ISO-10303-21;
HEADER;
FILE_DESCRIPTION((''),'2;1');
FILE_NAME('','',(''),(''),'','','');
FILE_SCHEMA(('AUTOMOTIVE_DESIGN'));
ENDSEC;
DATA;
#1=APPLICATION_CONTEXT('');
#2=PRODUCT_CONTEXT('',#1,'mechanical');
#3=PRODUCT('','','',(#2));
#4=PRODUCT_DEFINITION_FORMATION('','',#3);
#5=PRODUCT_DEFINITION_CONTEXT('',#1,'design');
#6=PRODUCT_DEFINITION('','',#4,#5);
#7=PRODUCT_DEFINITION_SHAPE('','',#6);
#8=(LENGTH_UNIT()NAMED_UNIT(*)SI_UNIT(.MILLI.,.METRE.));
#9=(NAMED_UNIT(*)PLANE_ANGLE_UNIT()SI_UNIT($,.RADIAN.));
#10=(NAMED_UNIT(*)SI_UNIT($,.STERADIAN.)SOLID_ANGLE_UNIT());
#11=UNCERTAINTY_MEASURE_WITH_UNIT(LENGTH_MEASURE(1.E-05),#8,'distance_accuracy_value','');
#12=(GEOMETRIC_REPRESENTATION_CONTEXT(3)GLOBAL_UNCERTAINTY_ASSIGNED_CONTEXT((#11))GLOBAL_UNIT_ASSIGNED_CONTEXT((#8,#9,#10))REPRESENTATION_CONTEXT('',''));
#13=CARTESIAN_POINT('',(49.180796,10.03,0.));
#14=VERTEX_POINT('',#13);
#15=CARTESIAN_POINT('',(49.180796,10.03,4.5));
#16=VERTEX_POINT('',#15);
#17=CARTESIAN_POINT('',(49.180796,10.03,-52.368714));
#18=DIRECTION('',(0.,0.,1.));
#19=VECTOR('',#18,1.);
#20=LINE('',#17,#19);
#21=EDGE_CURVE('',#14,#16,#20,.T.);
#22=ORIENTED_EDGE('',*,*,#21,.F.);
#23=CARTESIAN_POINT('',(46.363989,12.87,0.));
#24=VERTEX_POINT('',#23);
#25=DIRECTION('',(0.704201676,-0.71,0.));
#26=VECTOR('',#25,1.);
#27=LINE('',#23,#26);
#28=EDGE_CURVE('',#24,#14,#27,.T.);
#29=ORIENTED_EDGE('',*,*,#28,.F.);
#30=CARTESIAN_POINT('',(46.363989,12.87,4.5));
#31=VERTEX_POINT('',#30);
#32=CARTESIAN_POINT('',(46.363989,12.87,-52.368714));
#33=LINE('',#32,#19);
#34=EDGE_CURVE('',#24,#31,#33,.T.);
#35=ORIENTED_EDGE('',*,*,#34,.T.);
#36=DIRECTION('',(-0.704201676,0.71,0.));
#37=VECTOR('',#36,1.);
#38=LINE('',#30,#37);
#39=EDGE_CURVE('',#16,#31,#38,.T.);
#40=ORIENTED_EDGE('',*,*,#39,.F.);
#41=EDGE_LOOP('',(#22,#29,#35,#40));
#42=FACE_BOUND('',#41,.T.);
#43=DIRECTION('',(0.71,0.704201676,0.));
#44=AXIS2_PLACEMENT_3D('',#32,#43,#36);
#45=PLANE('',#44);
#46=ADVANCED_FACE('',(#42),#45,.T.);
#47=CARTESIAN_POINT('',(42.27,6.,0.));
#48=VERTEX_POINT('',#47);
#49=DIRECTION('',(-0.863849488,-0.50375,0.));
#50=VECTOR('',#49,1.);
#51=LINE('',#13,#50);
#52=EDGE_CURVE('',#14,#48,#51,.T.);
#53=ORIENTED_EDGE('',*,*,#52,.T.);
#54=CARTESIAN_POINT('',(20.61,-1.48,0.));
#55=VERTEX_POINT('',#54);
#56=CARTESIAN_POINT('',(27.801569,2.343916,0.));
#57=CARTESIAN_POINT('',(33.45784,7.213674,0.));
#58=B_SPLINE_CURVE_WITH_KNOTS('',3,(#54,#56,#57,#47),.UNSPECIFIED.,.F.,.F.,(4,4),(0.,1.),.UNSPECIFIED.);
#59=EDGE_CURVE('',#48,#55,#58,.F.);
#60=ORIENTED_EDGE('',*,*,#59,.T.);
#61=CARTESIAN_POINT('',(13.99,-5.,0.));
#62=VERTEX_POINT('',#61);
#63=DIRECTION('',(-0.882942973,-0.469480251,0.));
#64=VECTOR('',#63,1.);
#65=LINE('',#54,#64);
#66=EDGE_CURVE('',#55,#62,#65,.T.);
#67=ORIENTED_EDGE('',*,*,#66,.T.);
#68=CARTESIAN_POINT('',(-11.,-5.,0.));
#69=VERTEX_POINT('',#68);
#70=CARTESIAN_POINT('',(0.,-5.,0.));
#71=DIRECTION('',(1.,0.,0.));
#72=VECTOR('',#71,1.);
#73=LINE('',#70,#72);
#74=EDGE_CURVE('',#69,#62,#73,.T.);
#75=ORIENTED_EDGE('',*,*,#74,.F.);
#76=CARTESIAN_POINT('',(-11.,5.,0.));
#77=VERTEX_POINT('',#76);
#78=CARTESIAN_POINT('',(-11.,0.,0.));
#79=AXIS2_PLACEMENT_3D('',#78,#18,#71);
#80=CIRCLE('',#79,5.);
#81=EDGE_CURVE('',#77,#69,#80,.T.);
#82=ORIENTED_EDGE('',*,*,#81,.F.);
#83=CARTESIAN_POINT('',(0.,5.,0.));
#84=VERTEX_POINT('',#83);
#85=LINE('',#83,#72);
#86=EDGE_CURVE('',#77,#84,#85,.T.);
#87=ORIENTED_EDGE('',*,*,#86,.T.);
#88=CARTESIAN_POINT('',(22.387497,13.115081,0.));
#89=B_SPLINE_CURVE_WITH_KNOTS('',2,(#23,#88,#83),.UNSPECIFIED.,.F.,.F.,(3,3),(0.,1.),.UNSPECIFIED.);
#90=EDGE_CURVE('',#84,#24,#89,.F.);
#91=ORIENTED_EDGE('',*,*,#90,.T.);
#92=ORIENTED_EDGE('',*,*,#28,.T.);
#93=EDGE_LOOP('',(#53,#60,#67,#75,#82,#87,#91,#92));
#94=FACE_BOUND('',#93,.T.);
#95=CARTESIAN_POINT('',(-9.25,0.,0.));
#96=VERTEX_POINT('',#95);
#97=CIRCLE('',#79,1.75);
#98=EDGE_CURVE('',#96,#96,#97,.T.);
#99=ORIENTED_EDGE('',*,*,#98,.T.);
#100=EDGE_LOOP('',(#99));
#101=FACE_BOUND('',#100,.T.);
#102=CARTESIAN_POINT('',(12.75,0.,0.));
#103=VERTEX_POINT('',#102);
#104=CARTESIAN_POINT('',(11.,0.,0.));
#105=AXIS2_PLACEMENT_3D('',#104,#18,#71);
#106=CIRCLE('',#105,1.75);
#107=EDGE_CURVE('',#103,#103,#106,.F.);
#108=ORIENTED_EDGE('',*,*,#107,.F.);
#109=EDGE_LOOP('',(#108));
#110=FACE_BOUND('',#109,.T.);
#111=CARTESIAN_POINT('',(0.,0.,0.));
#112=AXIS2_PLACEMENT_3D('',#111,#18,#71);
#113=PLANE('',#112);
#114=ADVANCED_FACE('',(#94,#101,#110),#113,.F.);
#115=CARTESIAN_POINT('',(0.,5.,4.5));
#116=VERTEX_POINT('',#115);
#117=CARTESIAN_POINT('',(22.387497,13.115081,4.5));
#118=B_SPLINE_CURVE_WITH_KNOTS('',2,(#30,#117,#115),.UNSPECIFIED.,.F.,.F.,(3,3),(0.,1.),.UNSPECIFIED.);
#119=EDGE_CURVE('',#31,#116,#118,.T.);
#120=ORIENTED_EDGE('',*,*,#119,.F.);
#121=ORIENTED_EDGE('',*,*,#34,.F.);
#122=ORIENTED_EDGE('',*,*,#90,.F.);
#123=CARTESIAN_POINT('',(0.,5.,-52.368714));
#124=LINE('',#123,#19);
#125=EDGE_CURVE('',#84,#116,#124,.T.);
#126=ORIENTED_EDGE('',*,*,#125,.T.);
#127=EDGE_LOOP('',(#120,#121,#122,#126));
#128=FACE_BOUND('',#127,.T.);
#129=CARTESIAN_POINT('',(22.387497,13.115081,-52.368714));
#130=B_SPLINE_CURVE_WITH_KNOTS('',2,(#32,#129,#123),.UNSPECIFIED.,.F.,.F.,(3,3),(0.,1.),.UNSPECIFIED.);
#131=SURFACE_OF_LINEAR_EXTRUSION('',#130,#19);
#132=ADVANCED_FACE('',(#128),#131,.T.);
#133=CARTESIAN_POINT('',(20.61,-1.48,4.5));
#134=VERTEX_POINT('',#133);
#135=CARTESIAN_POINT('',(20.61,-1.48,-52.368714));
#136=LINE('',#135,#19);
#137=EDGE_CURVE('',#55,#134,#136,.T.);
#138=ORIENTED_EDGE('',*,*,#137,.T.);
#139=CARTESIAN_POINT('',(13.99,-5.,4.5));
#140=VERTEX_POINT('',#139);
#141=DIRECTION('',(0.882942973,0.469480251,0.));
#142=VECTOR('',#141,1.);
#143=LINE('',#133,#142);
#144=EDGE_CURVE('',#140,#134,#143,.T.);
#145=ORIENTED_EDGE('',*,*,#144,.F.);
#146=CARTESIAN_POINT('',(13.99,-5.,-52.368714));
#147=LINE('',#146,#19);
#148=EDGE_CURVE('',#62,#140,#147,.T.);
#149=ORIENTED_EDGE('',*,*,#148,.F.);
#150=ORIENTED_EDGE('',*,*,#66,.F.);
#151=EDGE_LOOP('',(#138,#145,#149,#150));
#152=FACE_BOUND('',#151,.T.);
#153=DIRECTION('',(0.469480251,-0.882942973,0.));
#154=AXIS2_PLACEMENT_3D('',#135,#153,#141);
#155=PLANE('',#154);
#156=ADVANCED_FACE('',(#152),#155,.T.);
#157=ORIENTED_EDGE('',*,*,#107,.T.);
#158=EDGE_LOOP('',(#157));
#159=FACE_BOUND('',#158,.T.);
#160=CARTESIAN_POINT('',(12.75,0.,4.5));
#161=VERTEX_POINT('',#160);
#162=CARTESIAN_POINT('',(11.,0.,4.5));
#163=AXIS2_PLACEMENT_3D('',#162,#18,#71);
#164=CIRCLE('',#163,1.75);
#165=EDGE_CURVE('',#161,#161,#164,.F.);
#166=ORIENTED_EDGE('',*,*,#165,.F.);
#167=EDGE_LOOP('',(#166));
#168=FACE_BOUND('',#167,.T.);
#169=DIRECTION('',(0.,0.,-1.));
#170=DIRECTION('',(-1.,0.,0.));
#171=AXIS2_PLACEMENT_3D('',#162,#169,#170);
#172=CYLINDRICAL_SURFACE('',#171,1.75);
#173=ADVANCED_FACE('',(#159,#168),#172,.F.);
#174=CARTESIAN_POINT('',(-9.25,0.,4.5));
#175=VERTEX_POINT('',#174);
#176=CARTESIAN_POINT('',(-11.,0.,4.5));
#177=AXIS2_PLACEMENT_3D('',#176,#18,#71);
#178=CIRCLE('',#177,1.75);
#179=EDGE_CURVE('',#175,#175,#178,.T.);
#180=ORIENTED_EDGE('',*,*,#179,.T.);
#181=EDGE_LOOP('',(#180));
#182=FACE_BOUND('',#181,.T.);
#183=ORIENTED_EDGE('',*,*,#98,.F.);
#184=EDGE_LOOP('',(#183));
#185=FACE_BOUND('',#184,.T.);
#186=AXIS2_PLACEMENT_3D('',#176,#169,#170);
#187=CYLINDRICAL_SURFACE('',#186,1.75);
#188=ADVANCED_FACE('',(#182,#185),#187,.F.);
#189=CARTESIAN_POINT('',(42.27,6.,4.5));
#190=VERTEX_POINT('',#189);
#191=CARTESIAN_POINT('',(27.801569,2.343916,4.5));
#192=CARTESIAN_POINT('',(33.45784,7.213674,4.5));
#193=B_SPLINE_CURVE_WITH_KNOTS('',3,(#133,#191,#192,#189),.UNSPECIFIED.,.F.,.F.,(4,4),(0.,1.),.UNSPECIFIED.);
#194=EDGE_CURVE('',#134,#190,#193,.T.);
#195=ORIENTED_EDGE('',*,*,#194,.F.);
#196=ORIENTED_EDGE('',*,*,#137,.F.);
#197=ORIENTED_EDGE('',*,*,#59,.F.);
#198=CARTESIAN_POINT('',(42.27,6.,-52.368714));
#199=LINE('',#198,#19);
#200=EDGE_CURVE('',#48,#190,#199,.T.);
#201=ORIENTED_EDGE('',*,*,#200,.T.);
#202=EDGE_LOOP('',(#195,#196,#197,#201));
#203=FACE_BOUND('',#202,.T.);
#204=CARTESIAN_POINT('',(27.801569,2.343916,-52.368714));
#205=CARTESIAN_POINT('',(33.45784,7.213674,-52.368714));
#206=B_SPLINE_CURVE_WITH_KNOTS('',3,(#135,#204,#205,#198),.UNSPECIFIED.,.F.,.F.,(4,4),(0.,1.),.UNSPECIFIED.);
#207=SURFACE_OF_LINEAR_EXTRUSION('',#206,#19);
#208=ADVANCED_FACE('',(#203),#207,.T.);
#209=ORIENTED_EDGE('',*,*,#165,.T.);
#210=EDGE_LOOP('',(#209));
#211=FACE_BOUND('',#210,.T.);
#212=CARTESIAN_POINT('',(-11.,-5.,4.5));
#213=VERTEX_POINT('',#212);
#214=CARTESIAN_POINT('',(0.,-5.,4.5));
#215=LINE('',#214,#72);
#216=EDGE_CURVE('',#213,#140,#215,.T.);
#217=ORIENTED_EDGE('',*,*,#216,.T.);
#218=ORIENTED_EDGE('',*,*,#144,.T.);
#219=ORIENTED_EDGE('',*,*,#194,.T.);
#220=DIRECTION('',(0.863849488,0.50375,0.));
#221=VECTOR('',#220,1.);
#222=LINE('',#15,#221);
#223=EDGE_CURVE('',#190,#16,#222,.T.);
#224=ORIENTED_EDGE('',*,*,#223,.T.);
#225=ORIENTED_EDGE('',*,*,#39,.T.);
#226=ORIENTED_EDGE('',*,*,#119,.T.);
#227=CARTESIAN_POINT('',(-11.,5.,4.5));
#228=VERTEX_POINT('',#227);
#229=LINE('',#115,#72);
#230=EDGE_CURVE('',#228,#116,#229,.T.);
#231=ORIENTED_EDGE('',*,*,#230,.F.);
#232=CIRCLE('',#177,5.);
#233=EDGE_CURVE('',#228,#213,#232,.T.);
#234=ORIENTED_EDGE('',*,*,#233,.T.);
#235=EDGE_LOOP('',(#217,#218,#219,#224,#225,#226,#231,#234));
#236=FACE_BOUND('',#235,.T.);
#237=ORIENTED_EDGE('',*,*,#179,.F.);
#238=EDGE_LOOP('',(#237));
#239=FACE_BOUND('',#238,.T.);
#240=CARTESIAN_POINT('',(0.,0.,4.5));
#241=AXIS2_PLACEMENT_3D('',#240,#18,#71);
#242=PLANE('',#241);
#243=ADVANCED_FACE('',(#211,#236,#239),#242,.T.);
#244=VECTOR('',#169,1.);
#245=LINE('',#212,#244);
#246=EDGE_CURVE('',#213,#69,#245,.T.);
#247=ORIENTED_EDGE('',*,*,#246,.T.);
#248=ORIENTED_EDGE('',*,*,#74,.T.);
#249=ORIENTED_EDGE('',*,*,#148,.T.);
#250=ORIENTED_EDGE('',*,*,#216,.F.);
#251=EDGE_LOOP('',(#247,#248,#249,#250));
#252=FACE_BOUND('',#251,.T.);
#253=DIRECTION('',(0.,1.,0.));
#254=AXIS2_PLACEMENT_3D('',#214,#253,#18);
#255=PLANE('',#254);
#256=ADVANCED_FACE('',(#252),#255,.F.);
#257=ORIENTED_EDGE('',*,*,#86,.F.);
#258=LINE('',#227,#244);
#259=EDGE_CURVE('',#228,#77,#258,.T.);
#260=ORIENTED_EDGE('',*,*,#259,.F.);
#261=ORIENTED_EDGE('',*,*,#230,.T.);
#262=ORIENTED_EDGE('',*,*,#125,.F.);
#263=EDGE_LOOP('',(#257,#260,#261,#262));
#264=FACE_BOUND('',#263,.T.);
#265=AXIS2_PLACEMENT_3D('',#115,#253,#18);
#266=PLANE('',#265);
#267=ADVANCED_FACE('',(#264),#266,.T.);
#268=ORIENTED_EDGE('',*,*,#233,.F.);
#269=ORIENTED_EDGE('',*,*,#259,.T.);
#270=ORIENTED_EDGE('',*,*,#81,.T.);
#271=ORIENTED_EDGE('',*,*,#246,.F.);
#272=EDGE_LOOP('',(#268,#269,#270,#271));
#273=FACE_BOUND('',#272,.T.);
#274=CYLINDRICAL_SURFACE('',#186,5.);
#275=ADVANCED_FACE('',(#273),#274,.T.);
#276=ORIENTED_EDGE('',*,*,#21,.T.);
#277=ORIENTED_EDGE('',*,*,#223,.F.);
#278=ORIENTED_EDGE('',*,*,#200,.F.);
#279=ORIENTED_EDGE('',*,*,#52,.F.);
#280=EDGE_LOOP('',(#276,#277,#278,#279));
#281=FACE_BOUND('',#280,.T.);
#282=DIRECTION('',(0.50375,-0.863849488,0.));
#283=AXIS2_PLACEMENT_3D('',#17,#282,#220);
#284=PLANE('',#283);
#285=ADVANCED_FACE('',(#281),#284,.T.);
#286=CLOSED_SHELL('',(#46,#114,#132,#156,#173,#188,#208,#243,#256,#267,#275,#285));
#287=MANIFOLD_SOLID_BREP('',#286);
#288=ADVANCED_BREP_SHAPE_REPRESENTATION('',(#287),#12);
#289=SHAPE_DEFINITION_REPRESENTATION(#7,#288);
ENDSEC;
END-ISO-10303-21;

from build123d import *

# Parameters (mm, degrees)
SKETCH1_R           = 5
SKETCH1_R_2         = 1.75
BOSS_EXTRUDE1_DEPTH = 4.5
BOSS_EXTRUDE2_START = -4.5
BOSS_EXTRUDE2_DEPTH = 4.5


with BuildPart() as part:
    # Sketch1 → Boss-Extrude1 (new body)
    # profile 1 of 3: a face of its own
    with BuildSketch(Plane.XY):
        with Locations((-11, 0)):
            Circle(SKETCH1_R)
        with Locations((-11, 0)):
            Circle(SKETCH1_R_2, mode=Mode.SUBTRACT)
    # profile 2 of 3: a face of its own
    with BuildSketch(Plane.XY):
        with Locations((11, 0)):
            Circle(SKETCH1_R)
        with Locations((11, 0)):
            Circle(SKETCH1_R_2, mode=Mode.SUBTRACT)
    # profile 3 of 3: a face of its own
    with BuildSketch(Plane.XY):
        with BuildLine():
            Line((11.000000039, 5), (-11, 5))
            ThreePointArc((-11, 5), (-7.464466094, 3.535533906), (-6, 0))
            ThreePointArc((-6, 0), (-7.464466094, -3.535533906), (-11, -5))
            Line((-11, -5), (10.999999969, -5))
            ThreePointArc((10.999999969, -5), (6, 3.5e-08), (11.000000039, 5))
        make_face()
    extrude(amount=BOSS_EXTRUDE1_DEPTH)

    # Sketch2 → Boss-Extrude2 (add)
    with BuildSketch(Plane.XY.offset(4.5).offset(BOSS_EXTRUDE2_START)):
        with BuildLine():
            Line((46.363989199, 12.87), (49.180795902, 10.03))
            Line((49.180795902, 10.03), (42.27, 6))
            add(Edge.make_bspline(
                [(42.27, 6), (33.457840426, 7.213673904), (27.801569406, 2.343916059), (20.61, -1.48)],
                knots=[0, 0, 0, 0, 1, 1, 1, 1], degree=3))
            Line((20.61, -1.48), (13.99, -5))
            Line((13.99, -5), (11, -5))
            ThreePointArc((11, -5), (16, 0), (11, 5))
            Line((11, 5), (0, 5))
            add(Edge.make_bspline(
                [(0, 5), (22.387497142, 13.115081385), (46.363989199, 12.87)],
                knots=[0, 0, 0, 1, 1, 1], degree=2))
        make_face()
    extrude(amount=BOSS_EXTRUDE2_DEPTH)


solid = part.part
